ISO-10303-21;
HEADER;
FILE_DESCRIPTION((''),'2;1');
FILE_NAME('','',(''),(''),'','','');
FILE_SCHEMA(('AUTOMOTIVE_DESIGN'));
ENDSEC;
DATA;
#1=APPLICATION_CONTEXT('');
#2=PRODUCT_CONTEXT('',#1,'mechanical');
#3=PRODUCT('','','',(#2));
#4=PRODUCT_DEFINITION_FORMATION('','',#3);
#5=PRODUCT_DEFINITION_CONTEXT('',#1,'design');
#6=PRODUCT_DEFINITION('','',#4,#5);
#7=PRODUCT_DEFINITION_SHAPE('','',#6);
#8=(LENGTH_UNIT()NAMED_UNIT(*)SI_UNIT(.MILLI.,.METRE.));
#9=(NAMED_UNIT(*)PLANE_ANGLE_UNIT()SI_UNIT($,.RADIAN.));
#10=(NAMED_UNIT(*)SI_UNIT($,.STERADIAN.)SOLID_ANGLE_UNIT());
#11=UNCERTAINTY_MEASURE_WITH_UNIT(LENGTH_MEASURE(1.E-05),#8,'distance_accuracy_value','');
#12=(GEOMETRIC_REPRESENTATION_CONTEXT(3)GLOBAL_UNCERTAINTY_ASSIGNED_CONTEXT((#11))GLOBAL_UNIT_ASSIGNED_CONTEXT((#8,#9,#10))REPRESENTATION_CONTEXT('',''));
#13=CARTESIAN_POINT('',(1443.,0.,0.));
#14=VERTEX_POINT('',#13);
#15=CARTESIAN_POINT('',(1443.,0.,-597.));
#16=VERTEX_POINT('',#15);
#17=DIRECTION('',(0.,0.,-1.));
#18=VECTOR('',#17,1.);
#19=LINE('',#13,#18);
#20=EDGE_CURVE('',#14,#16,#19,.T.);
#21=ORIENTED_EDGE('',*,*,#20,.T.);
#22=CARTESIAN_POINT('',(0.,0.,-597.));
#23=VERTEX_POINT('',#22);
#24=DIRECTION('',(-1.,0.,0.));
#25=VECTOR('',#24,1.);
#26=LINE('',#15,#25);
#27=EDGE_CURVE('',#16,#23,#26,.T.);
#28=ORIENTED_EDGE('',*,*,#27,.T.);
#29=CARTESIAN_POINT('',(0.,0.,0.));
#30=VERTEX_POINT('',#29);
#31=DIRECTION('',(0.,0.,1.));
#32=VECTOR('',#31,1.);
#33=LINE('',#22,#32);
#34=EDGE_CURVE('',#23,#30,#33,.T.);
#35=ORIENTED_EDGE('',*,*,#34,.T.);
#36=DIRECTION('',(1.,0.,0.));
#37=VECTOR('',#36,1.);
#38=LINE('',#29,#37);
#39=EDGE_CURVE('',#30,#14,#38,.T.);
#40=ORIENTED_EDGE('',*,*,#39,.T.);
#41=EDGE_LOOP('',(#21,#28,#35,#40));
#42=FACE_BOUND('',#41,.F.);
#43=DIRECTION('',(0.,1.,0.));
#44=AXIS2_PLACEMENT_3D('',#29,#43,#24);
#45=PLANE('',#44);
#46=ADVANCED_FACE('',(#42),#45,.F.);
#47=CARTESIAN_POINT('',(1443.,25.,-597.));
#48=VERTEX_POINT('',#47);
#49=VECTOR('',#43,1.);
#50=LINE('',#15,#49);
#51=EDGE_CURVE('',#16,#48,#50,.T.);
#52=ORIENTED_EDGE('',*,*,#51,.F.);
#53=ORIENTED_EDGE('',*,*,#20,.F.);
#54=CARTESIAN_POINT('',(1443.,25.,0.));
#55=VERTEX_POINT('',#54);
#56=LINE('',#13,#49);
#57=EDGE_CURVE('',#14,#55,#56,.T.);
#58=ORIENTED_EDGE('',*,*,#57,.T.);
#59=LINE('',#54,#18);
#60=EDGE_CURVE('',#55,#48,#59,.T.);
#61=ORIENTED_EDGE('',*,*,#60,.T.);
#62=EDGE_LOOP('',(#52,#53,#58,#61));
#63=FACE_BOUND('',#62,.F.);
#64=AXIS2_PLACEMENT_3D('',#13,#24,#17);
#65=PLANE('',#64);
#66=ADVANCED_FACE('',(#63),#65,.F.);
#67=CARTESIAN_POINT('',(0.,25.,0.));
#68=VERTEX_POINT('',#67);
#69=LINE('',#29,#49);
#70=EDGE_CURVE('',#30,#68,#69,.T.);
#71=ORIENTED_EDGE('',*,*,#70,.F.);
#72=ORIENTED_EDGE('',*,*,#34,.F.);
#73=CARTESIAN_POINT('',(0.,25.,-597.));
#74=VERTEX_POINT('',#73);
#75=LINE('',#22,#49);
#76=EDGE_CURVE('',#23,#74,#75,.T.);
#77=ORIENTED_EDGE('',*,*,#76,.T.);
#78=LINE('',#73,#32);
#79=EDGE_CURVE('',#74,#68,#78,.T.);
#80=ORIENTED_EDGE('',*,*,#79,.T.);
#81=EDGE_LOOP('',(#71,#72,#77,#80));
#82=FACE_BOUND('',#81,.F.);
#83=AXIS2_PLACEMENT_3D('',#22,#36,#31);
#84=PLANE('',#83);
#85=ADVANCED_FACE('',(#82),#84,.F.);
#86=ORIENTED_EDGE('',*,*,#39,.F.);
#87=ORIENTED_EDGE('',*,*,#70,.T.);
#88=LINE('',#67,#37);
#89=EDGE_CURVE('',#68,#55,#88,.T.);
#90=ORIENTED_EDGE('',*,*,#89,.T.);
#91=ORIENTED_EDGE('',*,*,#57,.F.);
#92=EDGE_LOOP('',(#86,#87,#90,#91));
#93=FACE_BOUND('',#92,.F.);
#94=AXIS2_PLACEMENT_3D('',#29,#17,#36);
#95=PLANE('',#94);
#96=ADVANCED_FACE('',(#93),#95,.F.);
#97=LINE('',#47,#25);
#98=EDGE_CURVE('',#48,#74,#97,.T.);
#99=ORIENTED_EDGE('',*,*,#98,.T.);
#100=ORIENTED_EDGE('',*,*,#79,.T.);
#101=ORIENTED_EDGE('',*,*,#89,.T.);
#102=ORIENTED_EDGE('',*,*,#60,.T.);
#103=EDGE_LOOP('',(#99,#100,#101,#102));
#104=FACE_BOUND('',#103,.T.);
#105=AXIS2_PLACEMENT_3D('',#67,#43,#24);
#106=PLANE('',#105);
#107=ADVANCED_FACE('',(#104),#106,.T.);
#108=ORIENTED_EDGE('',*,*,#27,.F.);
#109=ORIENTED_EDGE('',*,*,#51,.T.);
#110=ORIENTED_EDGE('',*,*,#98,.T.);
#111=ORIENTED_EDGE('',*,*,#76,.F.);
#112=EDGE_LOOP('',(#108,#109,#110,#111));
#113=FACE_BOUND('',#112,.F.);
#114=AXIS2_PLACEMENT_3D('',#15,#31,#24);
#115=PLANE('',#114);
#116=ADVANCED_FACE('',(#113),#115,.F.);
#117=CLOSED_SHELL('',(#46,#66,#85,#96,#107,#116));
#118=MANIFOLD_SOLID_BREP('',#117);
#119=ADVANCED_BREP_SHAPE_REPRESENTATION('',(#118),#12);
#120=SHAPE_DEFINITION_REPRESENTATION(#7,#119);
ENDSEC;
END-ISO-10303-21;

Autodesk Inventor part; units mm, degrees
ref_plane "YZ Plane" through (0, 0, 0) normal (1, 0, 0) x (0, 1, 0)
ref_plane "XZ Plane" through (0, 0, 0) normal (0, 1, 0) x (-1, 0, 0)
ref_plane "XY Plane" through (0, 0, 0) normal (0, 0, 1) x (1, 0, 0)
sketch "Boceto1" plane through (0, 0, 0) normal (0, 1, 0) x (-1, 0, 0)
  line L0 (0, 0) -> (-1443, 0)
  line L1 (-1443, 0) -> (-1443, -597)
  line L2 (-1443, -597) -> (0, -597)
  line L3 (0, -597) -> (0, 0)
  dimension "d0" = 1443
  dimension "d1" = 597
extrude "Extrusión1" add sketch "Boceto1" along normal blind 25
properties part number "Tapa 2"
